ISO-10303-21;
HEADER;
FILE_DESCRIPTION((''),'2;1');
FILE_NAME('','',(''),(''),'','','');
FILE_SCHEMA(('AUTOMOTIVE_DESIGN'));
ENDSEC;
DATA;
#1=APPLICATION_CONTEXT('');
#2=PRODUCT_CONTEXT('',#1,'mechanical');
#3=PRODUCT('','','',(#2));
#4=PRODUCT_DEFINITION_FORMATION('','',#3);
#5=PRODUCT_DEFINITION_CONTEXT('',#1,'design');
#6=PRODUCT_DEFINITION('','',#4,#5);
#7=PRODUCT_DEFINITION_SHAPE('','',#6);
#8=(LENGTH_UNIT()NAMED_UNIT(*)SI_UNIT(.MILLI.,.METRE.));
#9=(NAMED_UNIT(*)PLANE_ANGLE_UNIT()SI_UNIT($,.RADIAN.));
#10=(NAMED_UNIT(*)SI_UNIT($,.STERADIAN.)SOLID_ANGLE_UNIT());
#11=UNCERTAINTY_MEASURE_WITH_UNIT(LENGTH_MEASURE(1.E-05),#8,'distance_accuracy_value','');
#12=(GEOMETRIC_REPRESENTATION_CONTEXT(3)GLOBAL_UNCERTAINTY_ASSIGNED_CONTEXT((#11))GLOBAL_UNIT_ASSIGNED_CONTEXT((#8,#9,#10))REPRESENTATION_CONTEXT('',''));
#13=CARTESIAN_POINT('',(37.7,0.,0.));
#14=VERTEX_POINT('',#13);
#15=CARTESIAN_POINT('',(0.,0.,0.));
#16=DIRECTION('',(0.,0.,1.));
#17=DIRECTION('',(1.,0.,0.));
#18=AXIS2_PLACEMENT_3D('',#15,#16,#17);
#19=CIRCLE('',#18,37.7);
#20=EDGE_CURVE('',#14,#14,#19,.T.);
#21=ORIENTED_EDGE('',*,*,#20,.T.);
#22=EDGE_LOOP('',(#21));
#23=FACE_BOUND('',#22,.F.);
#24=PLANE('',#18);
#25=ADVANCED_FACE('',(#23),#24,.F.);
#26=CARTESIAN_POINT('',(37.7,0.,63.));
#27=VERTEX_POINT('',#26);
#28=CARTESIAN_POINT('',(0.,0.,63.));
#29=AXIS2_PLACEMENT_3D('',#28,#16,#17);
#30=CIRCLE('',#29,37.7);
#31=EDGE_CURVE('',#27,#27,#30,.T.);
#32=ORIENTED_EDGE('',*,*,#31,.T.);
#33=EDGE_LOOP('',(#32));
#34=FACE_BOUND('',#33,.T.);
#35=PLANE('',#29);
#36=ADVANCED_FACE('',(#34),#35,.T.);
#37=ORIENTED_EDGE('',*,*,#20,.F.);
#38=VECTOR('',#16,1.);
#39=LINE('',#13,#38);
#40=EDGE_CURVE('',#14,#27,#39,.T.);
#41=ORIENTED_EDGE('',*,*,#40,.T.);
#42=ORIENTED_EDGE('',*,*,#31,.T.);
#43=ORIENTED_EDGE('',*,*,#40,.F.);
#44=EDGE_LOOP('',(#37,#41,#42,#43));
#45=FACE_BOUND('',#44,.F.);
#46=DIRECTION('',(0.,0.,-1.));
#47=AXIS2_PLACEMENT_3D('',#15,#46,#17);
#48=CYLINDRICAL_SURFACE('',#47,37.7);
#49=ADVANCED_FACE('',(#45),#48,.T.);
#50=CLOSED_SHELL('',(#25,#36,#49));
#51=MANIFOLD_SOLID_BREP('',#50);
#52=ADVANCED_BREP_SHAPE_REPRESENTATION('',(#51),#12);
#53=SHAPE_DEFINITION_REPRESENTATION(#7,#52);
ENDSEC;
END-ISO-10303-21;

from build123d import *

# Parameters (mm, degrees)
CYLINDER009_R     = 2.65
CYLINDER009_DEPTH = 30
CYLINDER008_R     = 4
CYLINDER008_DEPTH = 3.2
CYLINDER010_R     = 1.375
CYLINDER010_DEPTH = 10
CYLINDER011_R     = 2.6
CYLINDER011_DEPTH = 2.1
ARRAY002_X_COUNT  = 2
ARRAY002_X_PITCH  = 15
CYLINDER007_R     = 37.7
CYLINDER007_DEPTH = 63


with BuildPart() as cylinder009:
    # Cylinder009 → Cylinder009 (new body)
    with BuildSketch(Plane.XY.offset(63)):
        Circle(CYLINDER009_R)
    extrude(amount=CYLINDER009_DEPTH)


with BuildPart() as cylinder008:
    # Cylinder008 → Cylinder008 (new body)
    with BuildSketch(Plane.XY.offset(64.8)):
        Circle(CYLINDER008_R)
    extrude(amount=CYLINDER008_DEPTH)


with BuildPart() as cylinder010:
    # Cylinder010 → Cylinder010 (new body)
    with BuildSketch(Plane.XY):
        Circle(CYLINDER010_R)
    extrude(amount=CYLINDER010_DEPTH)


with BuildPart() as fusion005:
    # Cylinder011 → Cylinder011 (new body)
    with BuildSketch(Plane.XY):
        Circle(CYLINDER011_R)
    extrude(amount=CYLINDER011_DEPTH)

    # Fusion004: union Cylinder010
    add(cylinder010.part)


with BuildPart() as fusion005_1:
    # Fusion004 placement: moved
    add(fusion005.part.moved(Location((0, 0, 63))))

    # Array002 X: Fusion005 ×2


with BuildPart() as fusion005_2:
    add(fusion005_1.part)
    with Locations(*[(i * ARRAY002_X_PITCH, 0, 0) for i in range(1, ARRAY002_X_COUNT)]):
        add(fusion005_1.part)


with BuildPart() as fusion005_3:
    # Array002 placement: moved
    add(fusion005_2.part.moved(Location((-7.5, 0, 0))))

    # Fusion005: union Cylinder009, Cylinder008
    add(cylinder009.part)
    add(cylinder008.part)


with BuildPart() as cut007:
    # Cylinder007 → Cylinder007 (new body)
    with BuildSketch(Plane.XY):
        Circle(CYLINDER007_R)
    extrude(amount=CYLINDER007_DEPTH)

    # Cut007: cut Fusion005
    add(fusion005_3.part, mode=Mode.SUBTRACT)


solid = cut007.part
